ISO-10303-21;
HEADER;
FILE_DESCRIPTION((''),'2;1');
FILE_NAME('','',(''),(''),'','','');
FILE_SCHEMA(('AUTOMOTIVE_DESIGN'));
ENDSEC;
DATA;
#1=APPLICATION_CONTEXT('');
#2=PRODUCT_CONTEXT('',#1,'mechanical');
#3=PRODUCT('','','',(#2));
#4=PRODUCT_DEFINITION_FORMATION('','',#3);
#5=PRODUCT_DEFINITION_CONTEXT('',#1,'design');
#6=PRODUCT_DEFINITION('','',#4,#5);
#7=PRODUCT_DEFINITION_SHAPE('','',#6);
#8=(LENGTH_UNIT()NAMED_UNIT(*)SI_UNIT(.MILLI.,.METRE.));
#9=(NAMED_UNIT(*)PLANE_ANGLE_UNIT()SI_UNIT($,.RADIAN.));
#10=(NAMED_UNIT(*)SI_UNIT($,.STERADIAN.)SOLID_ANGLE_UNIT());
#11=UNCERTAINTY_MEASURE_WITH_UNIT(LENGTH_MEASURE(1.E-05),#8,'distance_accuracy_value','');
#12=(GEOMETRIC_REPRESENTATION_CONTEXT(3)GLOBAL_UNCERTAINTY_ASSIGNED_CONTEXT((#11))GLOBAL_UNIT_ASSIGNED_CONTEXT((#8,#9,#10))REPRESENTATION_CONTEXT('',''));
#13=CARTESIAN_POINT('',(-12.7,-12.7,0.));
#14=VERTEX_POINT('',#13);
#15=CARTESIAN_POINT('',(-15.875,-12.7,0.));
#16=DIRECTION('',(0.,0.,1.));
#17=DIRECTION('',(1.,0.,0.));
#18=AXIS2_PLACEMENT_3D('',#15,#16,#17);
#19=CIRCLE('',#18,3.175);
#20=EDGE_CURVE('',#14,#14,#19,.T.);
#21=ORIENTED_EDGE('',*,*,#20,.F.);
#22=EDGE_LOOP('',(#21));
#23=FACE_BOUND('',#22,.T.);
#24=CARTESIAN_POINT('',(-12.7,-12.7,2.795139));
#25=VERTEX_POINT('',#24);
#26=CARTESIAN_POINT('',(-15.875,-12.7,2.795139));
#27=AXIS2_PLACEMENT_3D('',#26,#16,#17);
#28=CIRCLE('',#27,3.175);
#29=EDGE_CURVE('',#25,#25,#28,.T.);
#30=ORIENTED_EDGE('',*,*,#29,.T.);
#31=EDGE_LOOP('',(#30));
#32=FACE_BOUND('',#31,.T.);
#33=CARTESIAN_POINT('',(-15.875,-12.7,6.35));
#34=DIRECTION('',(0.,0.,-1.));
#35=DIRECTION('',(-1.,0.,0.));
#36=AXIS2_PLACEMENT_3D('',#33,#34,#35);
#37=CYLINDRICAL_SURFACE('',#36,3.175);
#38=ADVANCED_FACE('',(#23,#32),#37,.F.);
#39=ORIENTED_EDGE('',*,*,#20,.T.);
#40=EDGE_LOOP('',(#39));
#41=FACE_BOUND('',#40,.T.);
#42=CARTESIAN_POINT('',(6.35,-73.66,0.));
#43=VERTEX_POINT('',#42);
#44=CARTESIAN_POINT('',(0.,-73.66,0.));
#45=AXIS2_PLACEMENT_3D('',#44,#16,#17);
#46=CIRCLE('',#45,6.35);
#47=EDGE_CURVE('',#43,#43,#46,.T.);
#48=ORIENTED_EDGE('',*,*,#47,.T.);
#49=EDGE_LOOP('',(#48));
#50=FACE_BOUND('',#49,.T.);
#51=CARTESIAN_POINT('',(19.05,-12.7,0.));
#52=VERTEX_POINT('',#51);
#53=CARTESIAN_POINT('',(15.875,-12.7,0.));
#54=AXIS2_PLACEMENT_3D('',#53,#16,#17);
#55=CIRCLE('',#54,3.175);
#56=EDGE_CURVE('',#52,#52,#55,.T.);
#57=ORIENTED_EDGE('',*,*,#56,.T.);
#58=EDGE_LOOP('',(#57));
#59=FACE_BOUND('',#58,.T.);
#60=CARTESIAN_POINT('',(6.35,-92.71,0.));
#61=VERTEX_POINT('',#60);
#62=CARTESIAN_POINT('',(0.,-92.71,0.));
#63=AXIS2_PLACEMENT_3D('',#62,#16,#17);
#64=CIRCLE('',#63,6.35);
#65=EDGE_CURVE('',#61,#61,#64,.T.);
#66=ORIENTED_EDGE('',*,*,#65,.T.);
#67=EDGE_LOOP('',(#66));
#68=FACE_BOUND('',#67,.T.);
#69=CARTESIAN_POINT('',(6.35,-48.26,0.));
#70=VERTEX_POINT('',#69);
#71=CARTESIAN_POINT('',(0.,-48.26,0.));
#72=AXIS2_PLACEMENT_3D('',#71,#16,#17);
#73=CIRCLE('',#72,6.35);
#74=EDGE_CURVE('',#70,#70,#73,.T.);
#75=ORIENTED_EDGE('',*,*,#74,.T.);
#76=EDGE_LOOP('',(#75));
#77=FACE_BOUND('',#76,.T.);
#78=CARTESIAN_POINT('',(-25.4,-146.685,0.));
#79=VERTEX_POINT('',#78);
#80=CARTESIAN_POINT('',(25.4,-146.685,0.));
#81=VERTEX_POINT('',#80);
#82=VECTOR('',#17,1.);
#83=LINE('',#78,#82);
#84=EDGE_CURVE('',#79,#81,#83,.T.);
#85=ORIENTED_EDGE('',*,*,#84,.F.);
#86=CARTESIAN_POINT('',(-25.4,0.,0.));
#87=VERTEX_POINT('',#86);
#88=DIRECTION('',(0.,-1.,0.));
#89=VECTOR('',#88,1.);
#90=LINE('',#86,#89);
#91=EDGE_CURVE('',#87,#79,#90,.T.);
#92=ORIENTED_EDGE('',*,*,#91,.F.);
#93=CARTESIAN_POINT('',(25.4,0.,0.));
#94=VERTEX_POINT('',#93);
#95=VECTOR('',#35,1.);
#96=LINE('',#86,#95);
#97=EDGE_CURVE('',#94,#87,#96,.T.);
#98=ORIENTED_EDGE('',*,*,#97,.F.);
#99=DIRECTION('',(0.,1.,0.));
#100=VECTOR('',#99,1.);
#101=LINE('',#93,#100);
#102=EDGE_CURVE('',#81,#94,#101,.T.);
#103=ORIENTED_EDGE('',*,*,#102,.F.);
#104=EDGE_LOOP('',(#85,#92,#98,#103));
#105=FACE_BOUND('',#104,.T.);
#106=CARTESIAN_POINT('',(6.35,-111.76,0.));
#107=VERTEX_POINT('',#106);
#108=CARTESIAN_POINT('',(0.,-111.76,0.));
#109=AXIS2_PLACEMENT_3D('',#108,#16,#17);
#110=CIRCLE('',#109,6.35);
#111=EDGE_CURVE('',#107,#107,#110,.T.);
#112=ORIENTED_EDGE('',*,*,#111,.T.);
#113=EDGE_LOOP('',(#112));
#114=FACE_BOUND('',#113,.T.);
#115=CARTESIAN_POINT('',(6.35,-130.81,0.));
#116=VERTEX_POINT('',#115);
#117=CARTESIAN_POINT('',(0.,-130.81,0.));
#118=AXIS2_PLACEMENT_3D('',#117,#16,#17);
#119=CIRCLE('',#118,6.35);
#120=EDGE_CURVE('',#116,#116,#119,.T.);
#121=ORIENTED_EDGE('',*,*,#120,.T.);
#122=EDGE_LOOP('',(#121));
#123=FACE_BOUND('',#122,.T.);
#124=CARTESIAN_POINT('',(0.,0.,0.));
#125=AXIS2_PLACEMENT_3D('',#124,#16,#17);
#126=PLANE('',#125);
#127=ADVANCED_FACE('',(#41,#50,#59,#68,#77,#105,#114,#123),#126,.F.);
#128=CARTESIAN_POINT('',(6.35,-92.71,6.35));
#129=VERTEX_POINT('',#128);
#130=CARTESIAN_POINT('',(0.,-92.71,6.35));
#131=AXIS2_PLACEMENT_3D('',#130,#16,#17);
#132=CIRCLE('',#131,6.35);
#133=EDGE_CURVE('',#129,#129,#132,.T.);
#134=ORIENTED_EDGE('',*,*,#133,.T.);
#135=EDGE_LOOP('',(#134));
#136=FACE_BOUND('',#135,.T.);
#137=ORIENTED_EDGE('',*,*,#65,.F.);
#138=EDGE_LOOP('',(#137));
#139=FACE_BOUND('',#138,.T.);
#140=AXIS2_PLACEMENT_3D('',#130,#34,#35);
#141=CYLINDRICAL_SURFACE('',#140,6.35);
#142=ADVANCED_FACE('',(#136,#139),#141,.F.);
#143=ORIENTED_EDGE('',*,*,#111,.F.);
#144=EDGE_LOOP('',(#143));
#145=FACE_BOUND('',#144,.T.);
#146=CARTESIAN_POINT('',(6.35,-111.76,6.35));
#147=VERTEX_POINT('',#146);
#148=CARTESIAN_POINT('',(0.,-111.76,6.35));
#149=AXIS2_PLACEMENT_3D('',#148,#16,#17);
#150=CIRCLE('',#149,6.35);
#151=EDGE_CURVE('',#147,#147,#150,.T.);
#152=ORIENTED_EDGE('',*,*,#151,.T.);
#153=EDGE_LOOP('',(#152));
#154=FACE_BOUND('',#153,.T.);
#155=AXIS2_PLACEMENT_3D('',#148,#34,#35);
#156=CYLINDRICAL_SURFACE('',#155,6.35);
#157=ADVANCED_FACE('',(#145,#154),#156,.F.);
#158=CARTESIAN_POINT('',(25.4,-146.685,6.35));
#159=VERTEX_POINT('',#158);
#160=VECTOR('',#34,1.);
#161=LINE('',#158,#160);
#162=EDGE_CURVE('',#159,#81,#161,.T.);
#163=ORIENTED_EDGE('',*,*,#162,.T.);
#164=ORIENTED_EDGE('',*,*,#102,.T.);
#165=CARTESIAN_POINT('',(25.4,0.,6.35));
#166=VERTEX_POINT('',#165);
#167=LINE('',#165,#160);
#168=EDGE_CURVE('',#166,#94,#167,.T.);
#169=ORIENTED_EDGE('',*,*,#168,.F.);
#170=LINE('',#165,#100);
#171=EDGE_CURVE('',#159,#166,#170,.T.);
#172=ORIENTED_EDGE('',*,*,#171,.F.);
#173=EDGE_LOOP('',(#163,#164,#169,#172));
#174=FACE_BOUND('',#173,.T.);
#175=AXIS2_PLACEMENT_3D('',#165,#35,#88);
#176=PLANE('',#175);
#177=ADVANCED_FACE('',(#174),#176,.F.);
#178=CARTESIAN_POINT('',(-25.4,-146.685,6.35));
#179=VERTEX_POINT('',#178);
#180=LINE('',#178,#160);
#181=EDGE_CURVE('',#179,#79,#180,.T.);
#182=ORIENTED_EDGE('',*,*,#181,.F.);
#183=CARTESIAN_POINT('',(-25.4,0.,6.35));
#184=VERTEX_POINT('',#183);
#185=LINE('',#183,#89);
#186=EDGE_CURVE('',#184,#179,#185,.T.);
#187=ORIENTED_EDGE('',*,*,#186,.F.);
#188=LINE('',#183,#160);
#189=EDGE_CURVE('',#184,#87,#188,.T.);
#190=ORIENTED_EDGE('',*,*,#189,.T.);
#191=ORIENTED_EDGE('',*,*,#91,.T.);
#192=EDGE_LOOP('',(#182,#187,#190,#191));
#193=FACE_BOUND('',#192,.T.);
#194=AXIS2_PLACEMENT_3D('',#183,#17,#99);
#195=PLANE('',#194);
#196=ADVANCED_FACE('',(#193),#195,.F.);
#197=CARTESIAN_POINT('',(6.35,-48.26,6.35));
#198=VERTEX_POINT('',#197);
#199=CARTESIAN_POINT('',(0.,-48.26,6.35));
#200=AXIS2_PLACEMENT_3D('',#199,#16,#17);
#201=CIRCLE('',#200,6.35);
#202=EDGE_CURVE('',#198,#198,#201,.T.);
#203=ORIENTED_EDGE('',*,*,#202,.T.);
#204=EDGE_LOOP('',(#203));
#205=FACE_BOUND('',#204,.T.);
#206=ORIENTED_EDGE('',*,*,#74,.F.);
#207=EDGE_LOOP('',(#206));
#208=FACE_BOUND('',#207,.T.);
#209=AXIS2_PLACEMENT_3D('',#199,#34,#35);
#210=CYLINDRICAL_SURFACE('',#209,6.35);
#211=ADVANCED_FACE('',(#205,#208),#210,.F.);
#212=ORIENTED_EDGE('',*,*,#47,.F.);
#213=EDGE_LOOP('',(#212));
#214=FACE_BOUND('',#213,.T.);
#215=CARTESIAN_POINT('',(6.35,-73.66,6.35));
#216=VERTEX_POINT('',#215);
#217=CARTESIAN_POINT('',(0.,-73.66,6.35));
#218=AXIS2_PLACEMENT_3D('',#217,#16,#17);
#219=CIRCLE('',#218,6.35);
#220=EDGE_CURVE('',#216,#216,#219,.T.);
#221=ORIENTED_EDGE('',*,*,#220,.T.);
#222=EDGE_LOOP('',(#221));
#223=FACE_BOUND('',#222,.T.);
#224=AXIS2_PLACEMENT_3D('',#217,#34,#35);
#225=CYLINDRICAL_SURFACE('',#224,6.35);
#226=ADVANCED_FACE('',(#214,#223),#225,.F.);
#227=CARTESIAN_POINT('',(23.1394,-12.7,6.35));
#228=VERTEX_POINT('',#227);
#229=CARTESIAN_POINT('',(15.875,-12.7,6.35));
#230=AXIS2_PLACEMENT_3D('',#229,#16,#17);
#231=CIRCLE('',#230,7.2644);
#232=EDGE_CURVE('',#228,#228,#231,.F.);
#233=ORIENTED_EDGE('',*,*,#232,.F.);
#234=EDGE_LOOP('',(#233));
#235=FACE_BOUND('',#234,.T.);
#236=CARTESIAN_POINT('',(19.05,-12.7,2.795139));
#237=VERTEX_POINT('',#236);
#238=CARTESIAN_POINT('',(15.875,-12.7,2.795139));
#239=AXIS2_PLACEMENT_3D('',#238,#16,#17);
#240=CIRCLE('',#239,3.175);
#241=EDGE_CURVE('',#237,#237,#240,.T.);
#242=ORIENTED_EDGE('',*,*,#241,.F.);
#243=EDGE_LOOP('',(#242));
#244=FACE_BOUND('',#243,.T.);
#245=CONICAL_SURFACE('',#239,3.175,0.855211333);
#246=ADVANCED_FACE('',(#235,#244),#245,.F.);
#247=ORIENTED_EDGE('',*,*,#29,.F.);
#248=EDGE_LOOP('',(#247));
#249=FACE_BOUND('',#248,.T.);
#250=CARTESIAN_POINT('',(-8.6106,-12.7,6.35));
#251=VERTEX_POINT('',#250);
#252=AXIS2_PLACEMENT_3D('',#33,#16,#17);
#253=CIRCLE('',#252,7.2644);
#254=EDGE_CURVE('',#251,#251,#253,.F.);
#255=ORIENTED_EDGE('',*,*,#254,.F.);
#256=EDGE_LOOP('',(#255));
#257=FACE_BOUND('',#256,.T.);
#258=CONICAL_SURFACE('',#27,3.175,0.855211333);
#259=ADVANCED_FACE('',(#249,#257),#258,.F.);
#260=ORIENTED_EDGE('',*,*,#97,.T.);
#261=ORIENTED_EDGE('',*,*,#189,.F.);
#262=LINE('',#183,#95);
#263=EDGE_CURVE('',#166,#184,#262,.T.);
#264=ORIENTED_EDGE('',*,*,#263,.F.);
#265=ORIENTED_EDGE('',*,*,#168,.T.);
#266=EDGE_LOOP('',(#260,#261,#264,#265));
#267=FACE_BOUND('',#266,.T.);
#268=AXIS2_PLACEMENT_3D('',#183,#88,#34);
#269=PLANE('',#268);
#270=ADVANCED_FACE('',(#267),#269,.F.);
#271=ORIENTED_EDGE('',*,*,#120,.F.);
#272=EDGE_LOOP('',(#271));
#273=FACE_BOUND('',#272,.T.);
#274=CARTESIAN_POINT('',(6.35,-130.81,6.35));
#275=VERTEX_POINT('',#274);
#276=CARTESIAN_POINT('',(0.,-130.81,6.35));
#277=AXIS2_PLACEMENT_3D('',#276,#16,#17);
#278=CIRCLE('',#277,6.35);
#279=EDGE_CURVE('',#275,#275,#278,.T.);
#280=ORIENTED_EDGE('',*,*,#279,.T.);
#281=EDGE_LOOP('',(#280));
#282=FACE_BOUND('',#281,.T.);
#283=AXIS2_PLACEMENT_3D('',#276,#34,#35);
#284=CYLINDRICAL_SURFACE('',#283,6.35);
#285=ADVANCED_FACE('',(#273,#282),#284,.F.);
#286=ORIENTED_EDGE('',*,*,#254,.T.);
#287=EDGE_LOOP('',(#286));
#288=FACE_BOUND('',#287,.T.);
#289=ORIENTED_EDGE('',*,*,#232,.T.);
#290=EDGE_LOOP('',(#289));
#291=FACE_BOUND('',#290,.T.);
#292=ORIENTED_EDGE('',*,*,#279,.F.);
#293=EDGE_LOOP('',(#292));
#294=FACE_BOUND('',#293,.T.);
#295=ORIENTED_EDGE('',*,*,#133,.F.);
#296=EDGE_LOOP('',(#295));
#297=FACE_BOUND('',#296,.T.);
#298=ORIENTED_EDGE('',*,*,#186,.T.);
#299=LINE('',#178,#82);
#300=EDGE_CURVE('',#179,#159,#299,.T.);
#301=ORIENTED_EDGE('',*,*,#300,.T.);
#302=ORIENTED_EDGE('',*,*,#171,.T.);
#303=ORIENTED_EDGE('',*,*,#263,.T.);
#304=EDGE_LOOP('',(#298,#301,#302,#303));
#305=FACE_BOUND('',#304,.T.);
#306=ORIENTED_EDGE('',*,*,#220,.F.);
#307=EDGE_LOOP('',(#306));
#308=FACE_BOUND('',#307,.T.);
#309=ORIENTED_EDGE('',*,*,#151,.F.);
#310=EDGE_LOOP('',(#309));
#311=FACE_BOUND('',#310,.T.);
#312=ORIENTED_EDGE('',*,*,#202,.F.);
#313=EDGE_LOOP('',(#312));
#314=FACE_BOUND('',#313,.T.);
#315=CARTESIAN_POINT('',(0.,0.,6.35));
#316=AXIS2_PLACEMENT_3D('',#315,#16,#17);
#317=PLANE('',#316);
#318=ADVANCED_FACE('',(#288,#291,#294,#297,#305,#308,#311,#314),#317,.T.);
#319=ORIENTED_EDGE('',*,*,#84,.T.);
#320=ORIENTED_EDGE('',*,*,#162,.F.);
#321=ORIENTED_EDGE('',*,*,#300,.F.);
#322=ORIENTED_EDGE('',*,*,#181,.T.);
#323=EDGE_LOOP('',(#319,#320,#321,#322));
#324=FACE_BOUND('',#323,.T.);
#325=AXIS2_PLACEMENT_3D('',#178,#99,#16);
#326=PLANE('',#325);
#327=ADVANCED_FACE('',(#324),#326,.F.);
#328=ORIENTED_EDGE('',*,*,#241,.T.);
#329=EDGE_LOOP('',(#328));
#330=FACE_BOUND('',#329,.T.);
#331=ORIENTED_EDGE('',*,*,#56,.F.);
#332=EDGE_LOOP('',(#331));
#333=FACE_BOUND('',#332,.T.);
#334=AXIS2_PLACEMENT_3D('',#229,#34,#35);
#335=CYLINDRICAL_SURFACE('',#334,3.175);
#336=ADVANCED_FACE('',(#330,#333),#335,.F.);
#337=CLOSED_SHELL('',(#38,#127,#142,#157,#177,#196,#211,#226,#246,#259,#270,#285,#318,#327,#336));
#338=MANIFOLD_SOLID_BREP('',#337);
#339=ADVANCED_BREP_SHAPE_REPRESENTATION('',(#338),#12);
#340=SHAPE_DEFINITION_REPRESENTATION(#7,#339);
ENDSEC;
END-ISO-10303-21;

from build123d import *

# Parameters (mm, degrees)
SKETCH1_W           = 50.8
SKETCH1_H           = 146.685
SKETCH1_R           = 6.35
SKETCH1_R_2         = 3.175
BOSS_EXTRUDE3_DEPTH = 6.35
CHAMFER1_SIZE       = 4.0894
CHAMFER1_SIZE2      = 3.554861186
CHAMFER2_SIZE       = 4.0894
CHAMFER2_SIZE2      = 3.554861186


with BuildPart() as part:
    # Sketch1 → Boss-Extrude3 (new body)
    with BuildSketch(Plane.XY):
        with Locations((0, -73.3425)):
            Rectangle(SKETCH1_W, SKETCH1_H)
        with Locations((0, -130.81)):
            Circle(SKETCH1_R, mode=Mode.SUBTRACT)
        with Locations((0, -111.76)):
            Circle(SKETCH1_R, mode=Mode.SUBTRACT)
        with Locations((0, -92.71)):
            Circle(SKETCH1_R, mode=Mode.SUBTRACT)
        with Locations((0, -73.66)):
            Circle(SKETCH1_R, mode=Mode.SUBTRACT)
        with Locations((-15.875, -12.7)):
            Circle(SKETCH1_R_2, mode=Mode.SUBTRACT)
        with Locations((15.875, -12.7)):
            Circle(SKETCH1_R_2, mode=Mode.SUBTRACT)
        with Locations((0, -48.26)):
            Circle(SKETCH1_R, mode=Mode.SUBTRACT)
    extrude(amount=BOSS_EXTRUDE3_DEPTH)

    # Chamfer1
    chamfer1_edges = [part.edges().sort_by_distance(p)[0] for p in [
        (-19.05, -12.7, 6.35),
    ]]
    chamfer1_side = [part.faces().sort_by_distance(p)[0] for p in [
        (0, -145.132674995, 6.35),
    ]]
    chamfer(chamfer1_edges, length=CHAMFER1_SIZE, length2=CHAMFER1_SIZE2, reference=chamfer1_side[0])

    # Chamfer2
    chamfer2_edges = [part.edges().sort_by_distance(p)[0] for p in [
        (12.7, -12.7, 6.35),
    ]]
    chamfer2_side = [part.faces().sort_by_distance(p)[0] for p in [
        (-24.691725005, -12.7, 6.35),
    ]]
    chamfer(chamfer2_edges, length=CHAMFER2_SIZE, length2=CHAMFER2_SIZE2, reference=chamfer2_side[0])


solid = part.part
